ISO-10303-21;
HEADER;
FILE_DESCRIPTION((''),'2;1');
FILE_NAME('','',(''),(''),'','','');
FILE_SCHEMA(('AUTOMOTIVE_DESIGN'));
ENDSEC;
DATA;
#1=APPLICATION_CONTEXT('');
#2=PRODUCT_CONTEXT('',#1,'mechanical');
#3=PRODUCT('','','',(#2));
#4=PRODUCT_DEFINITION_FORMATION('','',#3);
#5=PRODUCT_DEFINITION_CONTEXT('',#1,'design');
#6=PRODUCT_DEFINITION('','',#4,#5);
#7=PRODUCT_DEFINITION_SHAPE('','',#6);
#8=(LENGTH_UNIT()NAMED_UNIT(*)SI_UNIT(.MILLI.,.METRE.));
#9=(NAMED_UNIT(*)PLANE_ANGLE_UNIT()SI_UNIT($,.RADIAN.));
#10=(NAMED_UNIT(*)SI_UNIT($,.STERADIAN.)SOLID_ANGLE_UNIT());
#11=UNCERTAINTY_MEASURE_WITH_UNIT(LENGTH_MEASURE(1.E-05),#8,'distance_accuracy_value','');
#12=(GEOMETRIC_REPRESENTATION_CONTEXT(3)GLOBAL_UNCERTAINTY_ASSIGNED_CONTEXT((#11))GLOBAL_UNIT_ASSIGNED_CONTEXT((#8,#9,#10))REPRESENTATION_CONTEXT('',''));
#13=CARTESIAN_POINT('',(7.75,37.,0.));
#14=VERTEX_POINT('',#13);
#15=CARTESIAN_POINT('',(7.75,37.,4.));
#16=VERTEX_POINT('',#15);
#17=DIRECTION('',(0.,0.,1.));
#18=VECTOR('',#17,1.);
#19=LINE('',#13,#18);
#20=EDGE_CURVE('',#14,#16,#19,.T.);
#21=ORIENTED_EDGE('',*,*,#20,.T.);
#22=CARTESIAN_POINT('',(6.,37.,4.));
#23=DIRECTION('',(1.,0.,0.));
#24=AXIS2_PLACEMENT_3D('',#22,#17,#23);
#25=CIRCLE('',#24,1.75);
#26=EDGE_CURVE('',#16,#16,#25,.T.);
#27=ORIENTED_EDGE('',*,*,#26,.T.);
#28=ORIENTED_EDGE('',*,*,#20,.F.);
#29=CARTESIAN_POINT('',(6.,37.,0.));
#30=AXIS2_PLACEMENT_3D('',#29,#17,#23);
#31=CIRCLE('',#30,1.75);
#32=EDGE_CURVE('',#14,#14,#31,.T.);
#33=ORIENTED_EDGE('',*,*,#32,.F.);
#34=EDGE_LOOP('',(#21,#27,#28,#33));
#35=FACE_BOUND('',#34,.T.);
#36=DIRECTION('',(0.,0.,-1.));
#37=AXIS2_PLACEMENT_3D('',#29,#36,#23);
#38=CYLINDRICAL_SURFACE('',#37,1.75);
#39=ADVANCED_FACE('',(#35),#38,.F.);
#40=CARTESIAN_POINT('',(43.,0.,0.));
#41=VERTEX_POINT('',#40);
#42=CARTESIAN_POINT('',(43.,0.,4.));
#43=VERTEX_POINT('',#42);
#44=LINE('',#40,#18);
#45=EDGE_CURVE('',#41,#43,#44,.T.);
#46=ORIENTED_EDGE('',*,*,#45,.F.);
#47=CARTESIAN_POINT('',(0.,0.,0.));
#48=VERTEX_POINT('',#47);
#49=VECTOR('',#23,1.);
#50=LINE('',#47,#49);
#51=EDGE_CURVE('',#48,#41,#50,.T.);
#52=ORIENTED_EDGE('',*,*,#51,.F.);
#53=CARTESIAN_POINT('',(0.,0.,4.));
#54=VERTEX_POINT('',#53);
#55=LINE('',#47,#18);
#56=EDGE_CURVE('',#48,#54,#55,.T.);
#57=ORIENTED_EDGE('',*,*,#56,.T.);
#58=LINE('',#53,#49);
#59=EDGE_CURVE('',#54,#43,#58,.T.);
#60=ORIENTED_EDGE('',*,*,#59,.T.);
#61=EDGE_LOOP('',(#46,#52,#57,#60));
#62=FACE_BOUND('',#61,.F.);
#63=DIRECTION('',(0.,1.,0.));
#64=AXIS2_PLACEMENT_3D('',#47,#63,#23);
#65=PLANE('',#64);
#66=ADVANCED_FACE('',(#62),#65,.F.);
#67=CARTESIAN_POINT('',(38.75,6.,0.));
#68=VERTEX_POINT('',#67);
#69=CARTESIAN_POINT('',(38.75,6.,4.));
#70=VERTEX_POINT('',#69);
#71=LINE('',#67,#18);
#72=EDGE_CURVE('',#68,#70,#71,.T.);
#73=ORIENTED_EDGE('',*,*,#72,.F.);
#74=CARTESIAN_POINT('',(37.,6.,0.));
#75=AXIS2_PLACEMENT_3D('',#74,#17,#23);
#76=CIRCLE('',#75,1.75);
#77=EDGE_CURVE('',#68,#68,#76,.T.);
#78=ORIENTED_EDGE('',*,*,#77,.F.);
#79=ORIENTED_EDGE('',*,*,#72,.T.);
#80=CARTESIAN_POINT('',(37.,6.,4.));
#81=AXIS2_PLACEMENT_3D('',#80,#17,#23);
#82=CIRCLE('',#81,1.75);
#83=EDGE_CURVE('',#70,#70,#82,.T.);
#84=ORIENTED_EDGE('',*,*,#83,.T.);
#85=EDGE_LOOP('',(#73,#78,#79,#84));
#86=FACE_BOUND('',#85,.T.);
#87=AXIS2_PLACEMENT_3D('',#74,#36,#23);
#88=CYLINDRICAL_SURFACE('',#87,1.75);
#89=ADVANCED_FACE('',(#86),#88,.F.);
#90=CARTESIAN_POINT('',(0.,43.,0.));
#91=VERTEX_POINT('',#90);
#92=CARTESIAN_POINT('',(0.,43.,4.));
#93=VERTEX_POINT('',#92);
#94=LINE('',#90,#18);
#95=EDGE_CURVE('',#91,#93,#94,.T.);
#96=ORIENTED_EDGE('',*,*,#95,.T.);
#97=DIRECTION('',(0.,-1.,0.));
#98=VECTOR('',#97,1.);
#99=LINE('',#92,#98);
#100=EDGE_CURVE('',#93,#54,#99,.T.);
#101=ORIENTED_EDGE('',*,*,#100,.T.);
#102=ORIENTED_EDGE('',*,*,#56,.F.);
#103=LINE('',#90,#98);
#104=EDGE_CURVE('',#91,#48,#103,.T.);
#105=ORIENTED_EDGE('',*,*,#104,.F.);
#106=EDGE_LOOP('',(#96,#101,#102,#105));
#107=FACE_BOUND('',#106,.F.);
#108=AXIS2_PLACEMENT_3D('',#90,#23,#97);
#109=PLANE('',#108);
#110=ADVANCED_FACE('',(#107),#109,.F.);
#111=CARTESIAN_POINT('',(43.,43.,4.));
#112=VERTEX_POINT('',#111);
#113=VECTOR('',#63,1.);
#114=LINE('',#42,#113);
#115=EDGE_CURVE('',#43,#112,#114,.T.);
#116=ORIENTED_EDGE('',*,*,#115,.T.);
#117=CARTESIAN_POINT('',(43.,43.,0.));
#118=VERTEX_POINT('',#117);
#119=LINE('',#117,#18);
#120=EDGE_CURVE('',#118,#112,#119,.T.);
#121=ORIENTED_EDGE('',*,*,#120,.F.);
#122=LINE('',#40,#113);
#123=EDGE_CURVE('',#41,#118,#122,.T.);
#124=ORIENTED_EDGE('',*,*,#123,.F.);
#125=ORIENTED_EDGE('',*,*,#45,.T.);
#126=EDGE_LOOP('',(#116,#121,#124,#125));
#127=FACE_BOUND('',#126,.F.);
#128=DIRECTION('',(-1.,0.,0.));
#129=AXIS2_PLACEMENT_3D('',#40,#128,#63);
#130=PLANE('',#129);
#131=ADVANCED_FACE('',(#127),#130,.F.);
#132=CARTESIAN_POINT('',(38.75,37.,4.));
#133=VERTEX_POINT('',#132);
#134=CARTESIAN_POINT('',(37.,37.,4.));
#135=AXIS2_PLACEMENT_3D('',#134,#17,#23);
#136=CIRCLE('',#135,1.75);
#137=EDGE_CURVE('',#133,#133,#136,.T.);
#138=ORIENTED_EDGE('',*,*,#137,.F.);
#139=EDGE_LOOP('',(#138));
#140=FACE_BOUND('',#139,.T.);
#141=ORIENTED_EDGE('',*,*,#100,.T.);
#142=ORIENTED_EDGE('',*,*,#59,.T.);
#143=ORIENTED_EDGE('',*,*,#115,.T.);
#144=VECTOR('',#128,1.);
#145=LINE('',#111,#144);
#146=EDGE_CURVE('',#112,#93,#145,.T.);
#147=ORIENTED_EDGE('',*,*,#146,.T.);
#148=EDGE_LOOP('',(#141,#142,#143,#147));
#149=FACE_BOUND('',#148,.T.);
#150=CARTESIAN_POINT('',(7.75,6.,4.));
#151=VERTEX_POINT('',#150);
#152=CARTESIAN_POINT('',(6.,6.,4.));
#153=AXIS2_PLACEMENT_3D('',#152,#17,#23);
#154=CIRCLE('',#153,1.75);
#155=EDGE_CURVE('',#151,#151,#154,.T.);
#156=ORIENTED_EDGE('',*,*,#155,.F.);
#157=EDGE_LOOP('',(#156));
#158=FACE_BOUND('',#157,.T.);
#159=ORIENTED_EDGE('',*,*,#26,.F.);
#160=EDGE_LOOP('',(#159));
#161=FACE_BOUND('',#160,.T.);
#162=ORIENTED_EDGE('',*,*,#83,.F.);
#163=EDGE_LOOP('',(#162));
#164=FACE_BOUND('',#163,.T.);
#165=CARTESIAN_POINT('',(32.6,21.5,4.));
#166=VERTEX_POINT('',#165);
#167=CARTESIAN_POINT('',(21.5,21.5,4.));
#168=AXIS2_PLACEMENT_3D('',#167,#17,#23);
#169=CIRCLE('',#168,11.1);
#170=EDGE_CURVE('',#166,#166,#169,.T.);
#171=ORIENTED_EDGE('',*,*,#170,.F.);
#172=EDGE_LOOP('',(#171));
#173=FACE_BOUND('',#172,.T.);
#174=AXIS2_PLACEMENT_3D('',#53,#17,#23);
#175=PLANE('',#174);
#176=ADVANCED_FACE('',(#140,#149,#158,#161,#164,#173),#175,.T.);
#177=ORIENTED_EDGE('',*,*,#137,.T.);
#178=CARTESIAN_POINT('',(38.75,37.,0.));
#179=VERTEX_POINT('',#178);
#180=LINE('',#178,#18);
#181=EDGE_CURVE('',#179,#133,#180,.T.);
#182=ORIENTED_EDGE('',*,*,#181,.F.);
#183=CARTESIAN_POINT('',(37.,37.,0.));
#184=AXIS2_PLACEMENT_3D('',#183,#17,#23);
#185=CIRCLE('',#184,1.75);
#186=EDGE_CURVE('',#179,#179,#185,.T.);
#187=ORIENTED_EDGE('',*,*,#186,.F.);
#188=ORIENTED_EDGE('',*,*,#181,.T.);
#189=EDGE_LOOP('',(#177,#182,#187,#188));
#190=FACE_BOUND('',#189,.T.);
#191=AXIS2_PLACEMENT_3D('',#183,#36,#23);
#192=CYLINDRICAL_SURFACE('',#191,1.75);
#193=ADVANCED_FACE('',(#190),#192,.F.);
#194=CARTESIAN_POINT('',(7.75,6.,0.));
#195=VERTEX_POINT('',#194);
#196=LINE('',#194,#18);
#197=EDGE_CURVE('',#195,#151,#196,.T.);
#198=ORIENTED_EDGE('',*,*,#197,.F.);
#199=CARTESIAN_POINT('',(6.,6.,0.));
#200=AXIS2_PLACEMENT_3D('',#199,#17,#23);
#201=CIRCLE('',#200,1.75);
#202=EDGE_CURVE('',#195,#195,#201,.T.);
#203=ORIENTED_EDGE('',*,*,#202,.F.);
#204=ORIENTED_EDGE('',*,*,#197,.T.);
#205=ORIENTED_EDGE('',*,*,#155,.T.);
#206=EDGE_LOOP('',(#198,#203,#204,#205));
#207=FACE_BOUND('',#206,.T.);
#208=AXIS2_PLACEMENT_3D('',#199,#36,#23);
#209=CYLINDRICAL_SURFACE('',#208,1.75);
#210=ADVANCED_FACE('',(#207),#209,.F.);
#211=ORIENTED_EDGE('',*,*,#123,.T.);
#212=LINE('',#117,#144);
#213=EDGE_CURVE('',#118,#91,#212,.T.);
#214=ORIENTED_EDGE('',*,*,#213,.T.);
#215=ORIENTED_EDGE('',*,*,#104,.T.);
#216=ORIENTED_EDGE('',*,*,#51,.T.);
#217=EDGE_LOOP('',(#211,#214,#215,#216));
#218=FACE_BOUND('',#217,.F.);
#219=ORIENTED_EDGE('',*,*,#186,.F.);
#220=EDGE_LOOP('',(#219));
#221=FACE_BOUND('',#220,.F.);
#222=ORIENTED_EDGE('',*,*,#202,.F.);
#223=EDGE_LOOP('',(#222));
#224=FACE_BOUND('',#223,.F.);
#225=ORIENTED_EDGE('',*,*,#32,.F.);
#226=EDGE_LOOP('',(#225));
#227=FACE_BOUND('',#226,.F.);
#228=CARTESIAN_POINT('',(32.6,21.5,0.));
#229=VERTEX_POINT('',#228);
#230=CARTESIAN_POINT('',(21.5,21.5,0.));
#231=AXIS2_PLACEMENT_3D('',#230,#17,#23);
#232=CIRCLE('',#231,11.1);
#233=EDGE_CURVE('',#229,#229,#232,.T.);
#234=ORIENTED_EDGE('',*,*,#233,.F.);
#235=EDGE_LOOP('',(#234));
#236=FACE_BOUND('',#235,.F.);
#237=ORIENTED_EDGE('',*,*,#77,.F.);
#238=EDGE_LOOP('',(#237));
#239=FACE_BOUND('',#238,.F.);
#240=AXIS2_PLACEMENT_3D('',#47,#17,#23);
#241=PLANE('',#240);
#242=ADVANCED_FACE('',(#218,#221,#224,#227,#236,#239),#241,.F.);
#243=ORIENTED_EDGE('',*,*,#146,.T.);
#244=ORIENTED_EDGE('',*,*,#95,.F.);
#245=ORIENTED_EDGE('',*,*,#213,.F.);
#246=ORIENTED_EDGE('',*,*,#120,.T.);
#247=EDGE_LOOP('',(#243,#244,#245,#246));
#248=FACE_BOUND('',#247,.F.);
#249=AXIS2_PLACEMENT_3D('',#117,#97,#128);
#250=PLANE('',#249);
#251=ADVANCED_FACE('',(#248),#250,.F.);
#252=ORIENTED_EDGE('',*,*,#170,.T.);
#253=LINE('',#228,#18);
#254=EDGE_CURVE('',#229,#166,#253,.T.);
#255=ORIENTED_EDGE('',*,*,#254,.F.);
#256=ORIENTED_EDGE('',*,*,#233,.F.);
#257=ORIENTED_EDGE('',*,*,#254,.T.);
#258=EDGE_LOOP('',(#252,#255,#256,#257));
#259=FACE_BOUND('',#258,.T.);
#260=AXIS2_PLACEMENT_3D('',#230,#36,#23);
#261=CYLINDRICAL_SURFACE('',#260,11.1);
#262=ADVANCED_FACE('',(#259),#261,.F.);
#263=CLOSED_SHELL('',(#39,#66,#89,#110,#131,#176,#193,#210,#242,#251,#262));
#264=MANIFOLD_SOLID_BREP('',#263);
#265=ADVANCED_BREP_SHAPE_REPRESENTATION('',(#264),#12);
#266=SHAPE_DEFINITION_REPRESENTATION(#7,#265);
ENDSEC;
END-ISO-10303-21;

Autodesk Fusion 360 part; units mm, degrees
sketch "Szkic1" plane through (0, 0, 0) normal (0, 0, 1) x (1, 0, 0)
  line L0 (0, 0) -> (43, 0)
  line L1 (43, 0) -> (43, 43)
  line L2 (43, 43) -> (0, 43)
  line L3 (0, 43) -> (0, 0)
  line L4 (37, 6) -> (6, 37) construction
  line L5 (6, 6) -> (37, 37) construction
  circle A0 centre (6, 37) radius 1.75
  circle A1 centre (37, 37) radius 1.75
  circle A2 centre (37, 6) radius 1.75
  circle A3 centre (6, 6) radius 1.75
  circle A4 centre (21.5, 21.5) radius 11.1
  point P0 (21.5, 21.5)
  dimension "d1" = 43
  dimension "d2" = 43
  dimension "d3" = 31
  dimension "d4" = 31
  dimension "d5" = 3.5
  dimension "d6" = 3.5
  dimension "d7" = 3.5
  dimension "d8" = 3.5
  dimension "d9" = 22.2
extrude "Wyciągnięcie proste1" add sketch "Szkic1" along normal blind 4
